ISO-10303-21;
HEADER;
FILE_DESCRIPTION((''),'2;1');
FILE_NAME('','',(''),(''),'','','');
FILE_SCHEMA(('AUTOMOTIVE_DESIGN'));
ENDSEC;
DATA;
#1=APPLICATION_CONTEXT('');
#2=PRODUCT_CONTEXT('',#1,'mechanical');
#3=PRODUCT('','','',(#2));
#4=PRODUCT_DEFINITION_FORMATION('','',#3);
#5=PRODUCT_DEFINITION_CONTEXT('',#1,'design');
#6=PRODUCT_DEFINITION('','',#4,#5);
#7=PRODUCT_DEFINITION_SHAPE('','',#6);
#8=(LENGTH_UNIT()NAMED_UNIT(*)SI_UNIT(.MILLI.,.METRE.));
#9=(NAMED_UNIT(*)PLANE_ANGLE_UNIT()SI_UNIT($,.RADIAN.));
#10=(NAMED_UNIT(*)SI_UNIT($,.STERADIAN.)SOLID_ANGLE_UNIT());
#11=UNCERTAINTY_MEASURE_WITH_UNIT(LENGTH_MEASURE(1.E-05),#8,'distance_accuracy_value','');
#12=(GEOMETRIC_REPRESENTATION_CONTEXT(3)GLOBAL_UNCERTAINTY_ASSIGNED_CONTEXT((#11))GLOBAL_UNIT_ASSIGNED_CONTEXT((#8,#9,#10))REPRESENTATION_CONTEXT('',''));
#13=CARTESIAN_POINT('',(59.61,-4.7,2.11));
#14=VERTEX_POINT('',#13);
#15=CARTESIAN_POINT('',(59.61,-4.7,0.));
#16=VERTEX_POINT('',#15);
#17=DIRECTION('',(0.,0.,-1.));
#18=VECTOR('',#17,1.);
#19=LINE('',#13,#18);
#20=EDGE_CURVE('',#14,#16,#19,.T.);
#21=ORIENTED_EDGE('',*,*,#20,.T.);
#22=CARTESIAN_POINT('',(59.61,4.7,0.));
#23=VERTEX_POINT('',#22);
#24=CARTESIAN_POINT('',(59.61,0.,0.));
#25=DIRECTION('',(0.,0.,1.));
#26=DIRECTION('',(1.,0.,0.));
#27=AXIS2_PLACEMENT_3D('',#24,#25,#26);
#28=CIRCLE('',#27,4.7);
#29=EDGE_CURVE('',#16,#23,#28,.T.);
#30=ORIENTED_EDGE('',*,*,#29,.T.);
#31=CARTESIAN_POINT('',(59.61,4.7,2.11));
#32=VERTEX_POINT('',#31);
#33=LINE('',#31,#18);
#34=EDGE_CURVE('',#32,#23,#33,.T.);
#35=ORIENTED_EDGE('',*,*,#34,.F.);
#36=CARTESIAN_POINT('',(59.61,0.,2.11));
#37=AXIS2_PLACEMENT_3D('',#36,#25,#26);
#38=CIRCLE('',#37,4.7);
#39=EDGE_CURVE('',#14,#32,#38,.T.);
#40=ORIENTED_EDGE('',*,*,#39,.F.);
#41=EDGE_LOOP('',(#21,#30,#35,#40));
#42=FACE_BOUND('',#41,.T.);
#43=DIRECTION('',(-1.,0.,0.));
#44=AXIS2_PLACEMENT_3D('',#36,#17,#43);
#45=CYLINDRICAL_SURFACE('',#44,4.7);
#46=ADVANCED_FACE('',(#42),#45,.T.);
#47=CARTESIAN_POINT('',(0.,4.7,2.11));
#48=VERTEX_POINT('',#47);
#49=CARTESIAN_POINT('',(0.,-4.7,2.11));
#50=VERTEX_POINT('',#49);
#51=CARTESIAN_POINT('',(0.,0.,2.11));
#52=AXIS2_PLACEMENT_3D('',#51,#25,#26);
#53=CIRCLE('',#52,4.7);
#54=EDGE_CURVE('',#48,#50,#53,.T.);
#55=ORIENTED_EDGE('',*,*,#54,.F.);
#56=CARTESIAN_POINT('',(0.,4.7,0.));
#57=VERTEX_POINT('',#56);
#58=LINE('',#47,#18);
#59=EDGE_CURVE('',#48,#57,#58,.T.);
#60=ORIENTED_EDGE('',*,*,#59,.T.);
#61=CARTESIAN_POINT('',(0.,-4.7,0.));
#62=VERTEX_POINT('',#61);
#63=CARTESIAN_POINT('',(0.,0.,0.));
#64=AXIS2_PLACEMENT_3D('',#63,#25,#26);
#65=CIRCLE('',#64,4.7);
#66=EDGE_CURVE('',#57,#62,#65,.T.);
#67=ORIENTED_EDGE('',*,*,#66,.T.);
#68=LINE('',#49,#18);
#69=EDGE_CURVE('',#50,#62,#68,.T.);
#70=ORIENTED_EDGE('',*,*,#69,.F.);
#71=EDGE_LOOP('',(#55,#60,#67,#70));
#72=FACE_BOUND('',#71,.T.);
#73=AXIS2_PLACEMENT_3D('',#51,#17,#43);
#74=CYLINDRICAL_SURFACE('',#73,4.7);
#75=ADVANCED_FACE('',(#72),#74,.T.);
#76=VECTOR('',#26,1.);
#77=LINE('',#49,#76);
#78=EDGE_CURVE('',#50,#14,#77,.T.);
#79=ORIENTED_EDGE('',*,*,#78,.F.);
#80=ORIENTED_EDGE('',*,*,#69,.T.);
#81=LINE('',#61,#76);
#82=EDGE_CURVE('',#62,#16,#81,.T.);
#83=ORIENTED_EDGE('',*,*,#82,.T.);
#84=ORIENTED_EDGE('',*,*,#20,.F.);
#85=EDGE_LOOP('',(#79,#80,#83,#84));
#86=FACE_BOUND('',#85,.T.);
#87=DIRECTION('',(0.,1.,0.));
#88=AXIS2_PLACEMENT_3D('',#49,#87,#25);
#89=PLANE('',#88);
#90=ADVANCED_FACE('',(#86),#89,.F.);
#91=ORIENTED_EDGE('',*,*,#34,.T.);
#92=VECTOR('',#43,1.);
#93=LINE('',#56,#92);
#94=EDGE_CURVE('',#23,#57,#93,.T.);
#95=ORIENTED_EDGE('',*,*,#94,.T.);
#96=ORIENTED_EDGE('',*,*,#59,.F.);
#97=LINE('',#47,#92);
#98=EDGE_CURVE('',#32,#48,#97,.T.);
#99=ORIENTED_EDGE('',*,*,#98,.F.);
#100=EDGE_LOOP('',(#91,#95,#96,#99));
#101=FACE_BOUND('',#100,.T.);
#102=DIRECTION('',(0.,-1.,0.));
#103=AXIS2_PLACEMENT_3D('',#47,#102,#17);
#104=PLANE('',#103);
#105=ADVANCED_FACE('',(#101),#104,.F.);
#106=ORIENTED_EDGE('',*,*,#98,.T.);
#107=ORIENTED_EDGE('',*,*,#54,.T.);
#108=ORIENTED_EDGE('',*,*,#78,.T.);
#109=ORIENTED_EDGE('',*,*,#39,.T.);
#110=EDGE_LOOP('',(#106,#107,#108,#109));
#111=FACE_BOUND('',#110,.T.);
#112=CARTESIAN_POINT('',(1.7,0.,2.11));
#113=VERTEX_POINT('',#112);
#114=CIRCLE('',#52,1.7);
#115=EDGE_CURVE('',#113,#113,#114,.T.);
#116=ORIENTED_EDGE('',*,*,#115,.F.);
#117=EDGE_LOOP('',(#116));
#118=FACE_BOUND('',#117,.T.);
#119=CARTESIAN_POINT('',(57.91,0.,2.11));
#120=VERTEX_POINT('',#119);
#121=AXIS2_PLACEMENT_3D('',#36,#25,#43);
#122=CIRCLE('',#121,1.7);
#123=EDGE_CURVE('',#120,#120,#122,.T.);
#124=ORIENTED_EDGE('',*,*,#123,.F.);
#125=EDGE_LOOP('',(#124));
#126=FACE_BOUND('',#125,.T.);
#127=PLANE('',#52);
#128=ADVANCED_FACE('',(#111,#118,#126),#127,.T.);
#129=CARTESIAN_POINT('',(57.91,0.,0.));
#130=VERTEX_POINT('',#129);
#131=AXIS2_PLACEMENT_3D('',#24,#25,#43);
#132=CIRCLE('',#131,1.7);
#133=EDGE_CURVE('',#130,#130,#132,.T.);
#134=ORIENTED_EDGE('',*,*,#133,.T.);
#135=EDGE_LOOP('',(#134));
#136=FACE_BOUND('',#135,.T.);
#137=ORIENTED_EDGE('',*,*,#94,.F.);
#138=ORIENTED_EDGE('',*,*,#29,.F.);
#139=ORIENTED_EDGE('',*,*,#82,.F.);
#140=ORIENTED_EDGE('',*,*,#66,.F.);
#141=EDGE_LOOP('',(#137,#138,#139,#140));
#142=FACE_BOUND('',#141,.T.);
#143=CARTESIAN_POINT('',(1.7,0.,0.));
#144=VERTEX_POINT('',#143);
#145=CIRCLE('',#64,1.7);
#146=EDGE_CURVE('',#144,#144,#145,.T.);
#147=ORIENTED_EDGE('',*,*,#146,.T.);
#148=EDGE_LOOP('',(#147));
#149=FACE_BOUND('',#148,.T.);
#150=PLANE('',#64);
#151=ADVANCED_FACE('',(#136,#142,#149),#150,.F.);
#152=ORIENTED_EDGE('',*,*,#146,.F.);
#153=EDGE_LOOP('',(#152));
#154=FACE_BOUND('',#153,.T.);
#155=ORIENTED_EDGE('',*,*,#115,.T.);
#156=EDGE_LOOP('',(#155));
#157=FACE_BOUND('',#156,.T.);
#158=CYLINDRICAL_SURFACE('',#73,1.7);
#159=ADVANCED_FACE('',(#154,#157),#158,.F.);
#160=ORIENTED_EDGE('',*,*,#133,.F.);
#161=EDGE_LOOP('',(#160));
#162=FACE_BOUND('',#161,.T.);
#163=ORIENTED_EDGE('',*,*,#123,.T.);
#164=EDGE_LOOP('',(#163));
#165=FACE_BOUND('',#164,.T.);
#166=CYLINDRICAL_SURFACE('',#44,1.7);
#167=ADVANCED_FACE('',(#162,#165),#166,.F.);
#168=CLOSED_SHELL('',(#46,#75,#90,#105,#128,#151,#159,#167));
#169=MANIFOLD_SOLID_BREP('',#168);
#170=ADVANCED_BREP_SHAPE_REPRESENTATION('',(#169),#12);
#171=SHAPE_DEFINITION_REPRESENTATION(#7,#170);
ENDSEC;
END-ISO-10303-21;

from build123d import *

# Parameters (mm, degrees)
CROQUIS1_R              = 1.7
SALIENTE_EXTRUIR1_DEPTH = 2.11


with BuildPart() as part:
    # Croquis1 → Saliente-Extruir1 (new body)
    with BuildSketch(Plane.XY):
        with BuildLine():
            Line((0, 4.7), (59.61, 4.7))
            ThreePointArc((59.61, 4.7), (64.31, 0), (59.61, -4.7))
            Line((59.61, -4.7), (0, -4.7))
            ThreePointArc((0, -4.7), (-4.7, 0), (0, 4.7))
        make_face()
        Circle(CROQUIS1_R, mode=Mode.SUBTRACT)
        with Locations((59.61, 0)):
            Circle(CROQUIS1_R, mode=Mode.SUBTRACT)
    extrude(amount=SALIENTE_EXTRUIR1_DEPTH)


solid = part.part
